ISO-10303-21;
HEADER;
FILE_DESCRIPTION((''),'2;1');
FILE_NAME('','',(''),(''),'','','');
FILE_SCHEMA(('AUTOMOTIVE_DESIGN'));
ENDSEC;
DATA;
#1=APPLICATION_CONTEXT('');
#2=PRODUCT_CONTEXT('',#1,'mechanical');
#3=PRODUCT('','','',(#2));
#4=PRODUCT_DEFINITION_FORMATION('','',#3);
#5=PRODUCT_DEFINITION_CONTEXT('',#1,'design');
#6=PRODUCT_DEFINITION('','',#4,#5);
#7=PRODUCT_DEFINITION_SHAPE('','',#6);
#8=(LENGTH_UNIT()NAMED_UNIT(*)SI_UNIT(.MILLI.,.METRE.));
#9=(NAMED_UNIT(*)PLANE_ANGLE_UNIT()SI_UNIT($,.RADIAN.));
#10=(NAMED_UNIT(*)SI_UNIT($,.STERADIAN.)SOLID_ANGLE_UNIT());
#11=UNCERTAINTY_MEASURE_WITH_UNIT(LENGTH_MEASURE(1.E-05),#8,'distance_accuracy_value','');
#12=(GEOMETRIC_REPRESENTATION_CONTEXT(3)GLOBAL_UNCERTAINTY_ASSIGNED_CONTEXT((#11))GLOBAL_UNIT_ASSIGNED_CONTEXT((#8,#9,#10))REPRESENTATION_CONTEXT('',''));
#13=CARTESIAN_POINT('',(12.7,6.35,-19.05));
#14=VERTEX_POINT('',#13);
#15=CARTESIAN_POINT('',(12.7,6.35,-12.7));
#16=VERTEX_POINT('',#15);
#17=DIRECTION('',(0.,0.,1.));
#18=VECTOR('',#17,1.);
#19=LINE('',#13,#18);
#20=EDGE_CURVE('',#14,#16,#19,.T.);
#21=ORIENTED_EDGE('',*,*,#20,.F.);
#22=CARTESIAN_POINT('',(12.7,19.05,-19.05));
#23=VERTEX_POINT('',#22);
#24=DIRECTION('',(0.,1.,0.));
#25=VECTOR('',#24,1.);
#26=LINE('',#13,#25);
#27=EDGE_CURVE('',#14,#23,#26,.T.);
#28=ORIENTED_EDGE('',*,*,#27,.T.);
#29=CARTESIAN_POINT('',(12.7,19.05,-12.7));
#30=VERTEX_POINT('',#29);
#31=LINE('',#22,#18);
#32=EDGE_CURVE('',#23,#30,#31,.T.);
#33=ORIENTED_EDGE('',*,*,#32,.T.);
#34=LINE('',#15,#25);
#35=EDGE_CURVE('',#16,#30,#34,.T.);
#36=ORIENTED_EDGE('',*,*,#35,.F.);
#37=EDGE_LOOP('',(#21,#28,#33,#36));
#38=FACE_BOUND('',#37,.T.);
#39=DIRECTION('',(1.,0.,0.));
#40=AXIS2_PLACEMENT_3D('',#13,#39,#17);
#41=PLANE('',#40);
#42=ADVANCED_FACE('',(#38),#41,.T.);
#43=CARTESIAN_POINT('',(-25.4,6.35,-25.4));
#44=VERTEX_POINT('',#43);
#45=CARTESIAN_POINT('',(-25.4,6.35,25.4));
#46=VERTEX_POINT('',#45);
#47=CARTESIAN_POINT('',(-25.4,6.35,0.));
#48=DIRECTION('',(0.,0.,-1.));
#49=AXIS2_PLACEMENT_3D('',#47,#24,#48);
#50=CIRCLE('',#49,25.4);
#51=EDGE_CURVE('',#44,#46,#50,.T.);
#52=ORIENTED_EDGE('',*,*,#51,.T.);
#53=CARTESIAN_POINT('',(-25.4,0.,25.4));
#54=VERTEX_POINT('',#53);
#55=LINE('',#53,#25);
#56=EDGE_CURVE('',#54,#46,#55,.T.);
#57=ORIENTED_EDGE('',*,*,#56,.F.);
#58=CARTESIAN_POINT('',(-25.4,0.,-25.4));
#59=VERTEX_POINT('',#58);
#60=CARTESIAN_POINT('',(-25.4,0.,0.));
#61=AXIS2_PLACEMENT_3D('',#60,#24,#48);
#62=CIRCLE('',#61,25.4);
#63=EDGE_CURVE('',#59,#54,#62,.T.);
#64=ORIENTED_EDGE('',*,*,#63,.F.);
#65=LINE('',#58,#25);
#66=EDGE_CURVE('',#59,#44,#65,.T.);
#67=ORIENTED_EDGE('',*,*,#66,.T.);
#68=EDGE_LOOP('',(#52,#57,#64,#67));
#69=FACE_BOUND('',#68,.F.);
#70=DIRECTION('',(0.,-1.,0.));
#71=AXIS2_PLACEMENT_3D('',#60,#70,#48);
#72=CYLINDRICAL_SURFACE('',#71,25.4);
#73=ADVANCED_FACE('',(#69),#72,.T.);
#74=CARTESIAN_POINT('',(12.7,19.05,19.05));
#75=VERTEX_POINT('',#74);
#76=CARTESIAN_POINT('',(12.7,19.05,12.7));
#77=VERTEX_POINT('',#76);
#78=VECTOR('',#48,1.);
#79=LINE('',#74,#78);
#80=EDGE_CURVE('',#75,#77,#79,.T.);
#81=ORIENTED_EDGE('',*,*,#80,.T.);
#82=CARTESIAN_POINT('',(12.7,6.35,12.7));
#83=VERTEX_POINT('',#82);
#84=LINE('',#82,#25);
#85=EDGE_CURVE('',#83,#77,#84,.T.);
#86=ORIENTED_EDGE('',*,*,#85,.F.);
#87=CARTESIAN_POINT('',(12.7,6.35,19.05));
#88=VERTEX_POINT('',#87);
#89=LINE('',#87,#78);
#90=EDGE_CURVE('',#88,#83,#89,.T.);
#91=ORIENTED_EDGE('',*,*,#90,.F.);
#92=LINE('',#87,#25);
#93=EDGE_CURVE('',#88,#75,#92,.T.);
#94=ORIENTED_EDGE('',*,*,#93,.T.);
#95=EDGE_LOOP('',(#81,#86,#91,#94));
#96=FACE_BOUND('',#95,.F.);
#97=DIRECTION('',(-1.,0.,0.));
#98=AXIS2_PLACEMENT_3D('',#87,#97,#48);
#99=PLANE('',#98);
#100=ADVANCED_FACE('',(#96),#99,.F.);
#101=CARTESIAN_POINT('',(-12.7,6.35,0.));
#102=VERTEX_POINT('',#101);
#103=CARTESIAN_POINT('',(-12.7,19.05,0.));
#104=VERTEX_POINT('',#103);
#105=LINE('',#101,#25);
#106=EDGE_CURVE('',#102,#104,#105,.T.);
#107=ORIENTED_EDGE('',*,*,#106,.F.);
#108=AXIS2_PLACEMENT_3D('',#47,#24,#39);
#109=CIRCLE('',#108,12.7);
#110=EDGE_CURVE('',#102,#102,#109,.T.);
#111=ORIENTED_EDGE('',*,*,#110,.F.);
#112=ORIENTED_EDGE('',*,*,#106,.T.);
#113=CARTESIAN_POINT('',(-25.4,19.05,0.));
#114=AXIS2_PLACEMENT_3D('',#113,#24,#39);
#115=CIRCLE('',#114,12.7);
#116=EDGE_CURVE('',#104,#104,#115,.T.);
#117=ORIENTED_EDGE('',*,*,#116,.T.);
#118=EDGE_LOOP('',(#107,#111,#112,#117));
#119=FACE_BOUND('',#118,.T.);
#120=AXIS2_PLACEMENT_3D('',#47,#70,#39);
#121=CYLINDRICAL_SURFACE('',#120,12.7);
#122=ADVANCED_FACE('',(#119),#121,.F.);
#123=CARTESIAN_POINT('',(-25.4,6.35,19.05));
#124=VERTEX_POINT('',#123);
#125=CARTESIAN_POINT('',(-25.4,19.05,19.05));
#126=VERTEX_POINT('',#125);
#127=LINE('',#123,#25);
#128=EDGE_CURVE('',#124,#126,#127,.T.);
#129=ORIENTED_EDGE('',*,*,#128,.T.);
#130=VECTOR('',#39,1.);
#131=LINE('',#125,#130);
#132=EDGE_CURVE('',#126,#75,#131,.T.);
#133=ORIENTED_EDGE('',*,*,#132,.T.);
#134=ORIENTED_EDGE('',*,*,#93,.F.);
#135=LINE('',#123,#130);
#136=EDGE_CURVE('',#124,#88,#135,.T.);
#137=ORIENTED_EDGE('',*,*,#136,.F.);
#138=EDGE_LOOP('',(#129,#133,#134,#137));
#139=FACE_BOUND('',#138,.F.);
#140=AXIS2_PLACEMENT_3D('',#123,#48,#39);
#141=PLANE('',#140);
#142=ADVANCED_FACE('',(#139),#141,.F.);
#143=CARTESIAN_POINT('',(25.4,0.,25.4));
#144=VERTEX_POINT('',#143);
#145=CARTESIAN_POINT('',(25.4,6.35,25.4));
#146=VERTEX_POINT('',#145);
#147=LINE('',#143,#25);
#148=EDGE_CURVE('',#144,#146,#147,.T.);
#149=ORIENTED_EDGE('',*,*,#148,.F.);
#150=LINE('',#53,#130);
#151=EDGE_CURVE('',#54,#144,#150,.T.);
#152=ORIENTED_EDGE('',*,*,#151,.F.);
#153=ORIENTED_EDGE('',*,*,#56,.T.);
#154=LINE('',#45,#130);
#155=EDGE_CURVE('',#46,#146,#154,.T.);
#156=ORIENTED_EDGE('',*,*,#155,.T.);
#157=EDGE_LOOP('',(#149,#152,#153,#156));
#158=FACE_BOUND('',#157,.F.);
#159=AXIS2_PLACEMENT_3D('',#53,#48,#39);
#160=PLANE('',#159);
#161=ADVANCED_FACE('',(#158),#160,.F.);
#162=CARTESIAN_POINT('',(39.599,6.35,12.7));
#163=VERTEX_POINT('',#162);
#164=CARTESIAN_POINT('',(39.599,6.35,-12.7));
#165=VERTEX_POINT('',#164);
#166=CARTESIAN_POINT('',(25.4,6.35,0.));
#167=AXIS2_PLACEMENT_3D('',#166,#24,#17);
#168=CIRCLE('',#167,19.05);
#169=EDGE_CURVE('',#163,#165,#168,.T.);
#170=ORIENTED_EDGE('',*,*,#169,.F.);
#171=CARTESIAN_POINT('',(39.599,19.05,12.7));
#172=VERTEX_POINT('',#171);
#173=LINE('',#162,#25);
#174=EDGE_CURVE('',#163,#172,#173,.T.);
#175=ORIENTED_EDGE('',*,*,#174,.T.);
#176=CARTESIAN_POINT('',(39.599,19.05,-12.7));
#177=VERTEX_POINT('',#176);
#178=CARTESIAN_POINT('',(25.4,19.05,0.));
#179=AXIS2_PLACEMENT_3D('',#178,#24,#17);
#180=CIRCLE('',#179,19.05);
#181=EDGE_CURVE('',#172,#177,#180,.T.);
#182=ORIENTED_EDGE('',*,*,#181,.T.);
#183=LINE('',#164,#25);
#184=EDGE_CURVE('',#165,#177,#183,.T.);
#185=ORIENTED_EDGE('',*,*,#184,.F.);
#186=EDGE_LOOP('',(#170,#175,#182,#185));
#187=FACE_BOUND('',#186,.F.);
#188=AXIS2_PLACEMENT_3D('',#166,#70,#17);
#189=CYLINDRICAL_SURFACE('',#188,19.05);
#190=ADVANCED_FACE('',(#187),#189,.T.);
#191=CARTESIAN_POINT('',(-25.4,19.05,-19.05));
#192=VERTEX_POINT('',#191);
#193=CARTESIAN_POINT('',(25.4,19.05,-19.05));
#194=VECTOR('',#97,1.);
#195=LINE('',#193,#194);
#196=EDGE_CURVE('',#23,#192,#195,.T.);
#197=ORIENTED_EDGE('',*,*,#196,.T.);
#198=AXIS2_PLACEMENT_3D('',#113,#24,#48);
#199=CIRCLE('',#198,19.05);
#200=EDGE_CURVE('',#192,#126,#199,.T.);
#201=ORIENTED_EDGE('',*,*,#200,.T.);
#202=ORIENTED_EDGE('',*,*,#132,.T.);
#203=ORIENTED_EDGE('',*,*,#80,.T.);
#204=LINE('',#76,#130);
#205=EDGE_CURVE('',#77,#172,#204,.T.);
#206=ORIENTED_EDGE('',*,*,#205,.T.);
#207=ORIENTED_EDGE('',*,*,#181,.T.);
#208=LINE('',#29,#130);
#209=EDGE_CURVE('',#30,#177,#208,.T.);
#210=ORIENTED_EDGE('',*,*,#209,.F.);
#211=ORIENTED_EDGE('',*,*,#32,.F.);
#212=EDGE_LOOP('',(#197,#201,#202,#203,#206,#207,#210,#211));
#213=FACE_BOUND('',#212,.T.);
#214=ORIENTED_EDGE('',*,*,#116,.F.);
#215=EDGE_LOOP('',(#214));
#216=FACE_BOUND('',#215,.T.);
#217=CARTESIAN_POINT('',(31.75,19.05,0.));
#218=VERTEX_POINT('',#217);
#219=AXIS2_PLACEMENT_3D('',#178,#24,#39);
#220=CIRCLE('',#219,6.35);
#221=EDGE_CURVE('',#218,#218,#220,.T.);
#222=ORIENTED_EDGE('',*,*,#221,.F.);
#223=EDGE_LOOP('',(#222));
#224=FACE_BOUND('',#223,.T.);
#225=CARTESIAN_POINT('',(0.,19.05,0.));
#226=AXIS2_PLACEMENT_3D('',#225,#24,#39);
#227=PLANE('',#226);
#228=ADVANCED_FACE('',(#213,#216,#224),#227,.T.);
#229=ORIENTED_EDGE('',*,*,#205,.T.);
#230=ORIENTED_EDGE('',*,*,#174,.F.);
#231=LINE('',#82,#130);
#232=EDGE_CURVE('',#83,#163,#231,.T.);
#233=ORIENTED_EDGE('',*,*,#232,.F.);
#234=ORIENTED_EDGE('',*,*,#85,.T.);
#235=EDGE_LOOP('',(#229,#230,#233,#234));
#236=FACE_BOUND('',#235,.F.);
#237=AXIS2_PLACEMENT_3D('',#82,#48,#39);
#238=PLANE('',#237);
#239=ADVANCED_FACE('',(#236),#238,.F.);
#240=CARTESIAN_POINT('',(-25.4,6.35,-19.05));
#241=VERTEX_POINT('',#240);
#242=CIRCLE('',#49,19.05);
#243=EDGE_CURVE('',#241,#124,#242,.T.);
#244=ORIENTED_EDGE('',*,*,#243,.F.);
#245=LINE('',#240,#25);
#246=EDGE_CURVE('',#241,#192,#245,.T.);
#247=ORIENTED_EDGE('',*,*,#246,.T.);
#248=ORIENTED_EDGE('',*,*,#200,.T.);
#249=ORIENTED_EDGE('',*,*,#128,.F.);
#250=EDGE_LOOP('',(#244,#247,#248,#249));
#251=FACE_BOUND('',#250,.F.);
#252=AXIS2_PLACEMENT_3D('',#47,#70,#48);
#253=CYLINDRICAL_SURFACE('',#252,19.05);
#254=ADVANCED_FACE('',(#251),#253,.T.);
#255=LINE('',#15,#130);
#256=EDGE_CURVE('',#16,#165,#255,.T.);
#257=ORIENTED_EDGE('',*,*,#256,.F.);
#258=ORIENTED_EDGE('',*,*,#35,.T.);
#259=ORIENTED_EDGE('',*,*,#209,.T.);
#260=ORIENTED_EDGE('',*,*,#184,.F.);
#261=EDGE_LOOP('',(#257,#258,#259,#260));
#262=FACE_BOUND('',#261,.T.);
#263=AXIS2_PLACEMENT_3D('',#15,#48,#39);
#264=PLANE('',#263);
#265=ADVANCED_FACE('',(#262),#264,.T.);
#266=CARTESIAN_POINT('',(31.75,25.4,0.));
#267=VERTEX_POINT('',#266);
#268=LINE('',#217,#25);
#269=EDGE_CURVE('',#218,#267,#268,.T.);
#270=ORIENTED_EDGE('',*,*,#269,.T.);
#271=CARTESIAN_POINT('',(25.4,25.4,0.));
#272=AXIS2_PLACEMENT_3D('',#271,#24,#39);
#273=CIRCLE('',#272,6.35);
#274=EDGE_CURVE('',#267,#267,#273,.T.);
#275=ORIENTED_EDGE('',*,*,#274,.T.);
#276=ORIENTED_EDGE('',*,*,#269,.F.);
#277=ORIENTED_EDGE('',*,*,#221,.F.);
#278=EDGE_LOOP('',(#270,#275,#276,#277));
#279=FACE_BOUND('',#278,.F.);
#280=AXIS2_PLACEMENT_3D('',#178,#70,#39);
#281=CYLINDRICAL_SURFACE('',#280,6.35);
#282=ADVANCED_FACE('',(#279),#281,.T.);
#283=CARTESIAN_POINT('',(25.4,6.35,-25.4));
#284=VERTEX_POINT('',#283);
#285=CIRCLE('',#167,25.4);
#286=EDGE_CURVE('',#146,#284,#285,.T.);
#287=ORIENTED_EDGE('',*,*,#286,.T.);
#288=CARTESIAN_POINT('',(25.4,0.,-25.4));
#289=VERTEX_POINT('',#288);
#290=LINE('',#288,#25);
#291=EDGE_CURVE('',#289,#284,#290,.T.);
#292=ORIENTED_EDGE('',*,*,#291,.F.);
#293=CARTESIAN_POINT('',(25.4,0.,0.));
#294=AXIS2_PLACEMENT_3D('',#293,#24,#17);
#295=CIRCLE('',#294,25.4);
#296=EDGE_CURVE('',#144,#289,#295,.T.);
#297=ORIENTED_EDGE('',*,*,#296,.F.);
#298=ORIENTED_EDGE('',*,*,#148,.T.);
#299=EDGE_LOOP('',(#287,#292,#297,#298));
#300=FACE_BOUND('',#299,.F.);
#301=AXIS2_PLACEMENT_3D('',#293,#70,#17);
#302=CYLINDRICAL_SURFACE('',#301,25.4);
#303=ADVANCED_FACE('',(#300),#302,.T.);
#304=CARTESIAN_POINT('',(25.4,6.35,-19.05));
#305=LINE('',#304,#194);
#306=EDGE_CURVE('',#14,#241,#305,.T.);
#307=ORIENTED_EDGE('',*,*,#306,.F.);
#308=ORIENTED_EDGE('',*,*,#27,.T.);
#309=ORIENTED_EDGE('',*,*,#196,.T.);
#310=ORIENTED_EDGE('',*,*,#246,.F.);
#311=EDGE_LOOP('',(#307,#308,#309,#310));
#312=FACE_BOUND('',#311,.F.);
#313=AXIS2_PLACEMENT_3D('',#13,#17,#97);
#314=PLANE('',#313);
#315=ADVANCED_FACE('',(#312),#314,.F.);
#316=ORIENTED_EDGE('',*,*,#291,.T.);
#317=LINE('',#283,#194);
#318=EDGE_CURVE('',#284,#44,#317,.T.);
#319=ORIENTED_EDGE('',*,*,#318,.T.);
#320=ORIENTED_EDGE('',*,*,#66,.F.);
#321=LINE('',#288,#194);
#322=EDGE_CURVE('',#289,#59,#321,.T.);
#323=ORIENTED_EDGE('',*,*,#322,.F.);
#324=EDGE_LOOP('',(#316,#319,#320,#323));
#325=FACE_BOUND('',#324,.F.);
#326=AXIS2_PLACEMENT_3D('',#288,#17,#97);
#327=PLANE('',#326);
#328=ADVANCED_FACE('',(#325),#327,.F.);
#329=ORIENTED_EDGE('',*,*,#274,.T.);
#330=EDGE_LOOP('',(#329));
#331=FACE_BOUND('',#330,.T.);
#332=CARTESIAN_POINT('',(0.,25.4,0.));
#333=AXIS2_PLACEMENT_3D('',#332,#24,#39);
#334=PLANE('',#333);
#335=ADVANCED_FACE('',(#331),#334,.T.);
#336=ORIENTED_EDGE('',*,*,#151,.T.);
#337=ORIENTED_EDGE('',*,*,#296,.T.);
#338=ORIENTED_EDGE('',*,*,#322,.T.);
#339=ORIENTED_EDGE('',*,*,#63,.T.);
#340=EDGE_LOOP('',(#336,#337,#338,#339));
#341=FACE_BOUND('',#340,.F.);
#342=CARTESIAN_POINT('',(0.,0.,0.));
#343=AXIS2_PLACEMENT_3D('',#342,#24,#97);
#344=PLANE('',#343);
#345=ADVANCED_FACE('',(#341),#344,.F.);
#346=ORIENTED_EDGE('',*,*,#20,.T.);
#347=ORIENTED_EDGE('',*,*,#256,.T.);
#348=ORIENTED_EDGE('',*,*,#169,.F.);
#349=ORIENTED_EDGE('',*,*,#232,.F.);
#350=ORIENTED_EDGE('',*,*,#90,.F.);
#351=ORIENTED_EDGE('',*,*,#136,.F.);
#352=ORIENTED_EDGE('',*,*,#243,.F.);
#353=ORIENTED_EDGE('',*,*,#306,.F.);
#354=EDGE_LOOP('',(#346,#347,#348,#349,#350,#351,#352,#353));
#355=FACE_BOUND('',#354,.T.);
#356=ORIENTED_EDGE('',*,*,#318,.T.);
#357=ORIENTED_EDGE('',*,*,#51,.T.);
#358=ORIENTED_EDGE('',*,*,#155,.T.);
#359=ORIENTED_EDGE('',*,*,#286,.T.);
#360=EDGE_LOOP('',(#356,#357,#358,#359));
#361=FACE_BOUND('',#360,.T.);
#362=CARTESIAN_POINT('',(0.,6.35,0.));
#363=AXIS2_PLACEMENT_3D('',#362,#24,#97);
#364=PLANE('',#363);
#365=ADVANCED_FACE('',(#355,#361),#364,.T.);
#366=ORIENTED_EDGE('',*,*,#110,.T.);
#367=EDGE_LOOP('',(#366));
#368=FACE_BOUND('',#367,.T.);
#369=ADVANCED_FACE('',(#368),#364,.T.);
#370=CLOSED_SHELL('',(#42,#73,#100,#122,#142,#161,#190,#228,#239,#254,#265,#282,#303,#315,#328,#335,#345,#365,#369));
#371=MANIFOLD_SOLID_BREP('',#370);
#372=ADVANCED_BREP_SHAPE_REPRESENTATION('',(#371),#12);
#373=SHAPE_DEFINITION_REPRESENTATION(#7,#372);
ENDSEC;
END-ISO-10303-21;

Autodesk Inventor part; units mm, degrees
ref_plane "YZ Plane" through (0, 0, 0) normal (1, 0, 0) x (0, 1, 0)
ref_plane "XZ Plane" through (0, 0, 0) normal (0, 1, 0) x (-1, 0, 0)
ref_plane "XY Plane" through (0, 0, 0) normal (0, 0, 1) x (1, 0, 0)
sketch "Sketch1" plane through (0, 0, 0) normal (0, 1, 0) x (-1, 0, 0)
  line L0 (25.4, 0) -> (-25.4, 0) construction
  line L1 (25.4, 25.4) -> (-25.4, 25.4)
  line L2 (-25.4, -25.4) -> (25.4, -25.4)
  arc A0 (25.4, -25.4) -> (25.4, 25.4) centre (25.4, 0) ccw
  arc A1 (-25.4, 25.4) -> (-25.4, -25.4) centre (-25.4, 0) ccw
  point P0 (0, 0)
  dimension "d0" = 50.8
  dimension "d1" = 25.4
extrude "Extrusion1" add sketch "Sketch1" along normal blind 6.35
sketch "Sketch2" plane through (0, 6.35, 0) normal (0, 1, 0) x (1, 0, 0)
  line L0 (25.4, 0) -> (-25.4, 0) construction
  line L1 (25.4, 19.05) -> (-25.4, 19.05)
  line L2 (-25.4, -19.05) -> (25.4, -19.05)
  arc A0 (25.4, -19.05) -> (25.4, 19.05) centre (25.4, 0) ccw
  arc A1 (-25.4, 19.05) -> (-25.4, -19.05) centre (-25.4, 0) ccw
  line L3 (25.4, 25.4) -> (-25.4, 25.4) projected
  line L4 (12.7, -19.05) -> (12.7, -12.7)
  line L5 (12.7, -12.7) -> (39.599, -12.7)
  line L6 (12.7, 19.05) -> (12.7, 12.7)
  line L7 (12.7, 12.7) -> (39.599, 12.7)
  circle A2 centre (-25.4, 0) radius 12.7
  point P0 (0, 0)
  point P1 (0, 0)
  point P2 (12.7, -15.875)
  point P3 (39.599, 12.7)
  dimension "d4" = 19.05
  dimension "d5" = 38.1
  dimension "d6" = 25.4
  dimension "d7" = 25.4
extrude "Extrusion2" add sketch "Sketch2" along normal blind 12.7 contours L6 L7 A0 L5 L4 L2 A1 L1
sketch "Sketch3" plane through (0, 19.05, 0) normal (0, 1, 0) x (1, 0, 0)
  arc A0 (25.4, -25.4) -> (25.4, 25.4) centre (25.4, 0) ccw projected
  circle A1 centre (25.4, 0) radius 6.35
  point P0 (0, 0)
  dimension "d10" = 12.7
extrude "Extrusion3" add sketch "Sketch3" along normal blind 6.35
properties part number "PivotLock"
